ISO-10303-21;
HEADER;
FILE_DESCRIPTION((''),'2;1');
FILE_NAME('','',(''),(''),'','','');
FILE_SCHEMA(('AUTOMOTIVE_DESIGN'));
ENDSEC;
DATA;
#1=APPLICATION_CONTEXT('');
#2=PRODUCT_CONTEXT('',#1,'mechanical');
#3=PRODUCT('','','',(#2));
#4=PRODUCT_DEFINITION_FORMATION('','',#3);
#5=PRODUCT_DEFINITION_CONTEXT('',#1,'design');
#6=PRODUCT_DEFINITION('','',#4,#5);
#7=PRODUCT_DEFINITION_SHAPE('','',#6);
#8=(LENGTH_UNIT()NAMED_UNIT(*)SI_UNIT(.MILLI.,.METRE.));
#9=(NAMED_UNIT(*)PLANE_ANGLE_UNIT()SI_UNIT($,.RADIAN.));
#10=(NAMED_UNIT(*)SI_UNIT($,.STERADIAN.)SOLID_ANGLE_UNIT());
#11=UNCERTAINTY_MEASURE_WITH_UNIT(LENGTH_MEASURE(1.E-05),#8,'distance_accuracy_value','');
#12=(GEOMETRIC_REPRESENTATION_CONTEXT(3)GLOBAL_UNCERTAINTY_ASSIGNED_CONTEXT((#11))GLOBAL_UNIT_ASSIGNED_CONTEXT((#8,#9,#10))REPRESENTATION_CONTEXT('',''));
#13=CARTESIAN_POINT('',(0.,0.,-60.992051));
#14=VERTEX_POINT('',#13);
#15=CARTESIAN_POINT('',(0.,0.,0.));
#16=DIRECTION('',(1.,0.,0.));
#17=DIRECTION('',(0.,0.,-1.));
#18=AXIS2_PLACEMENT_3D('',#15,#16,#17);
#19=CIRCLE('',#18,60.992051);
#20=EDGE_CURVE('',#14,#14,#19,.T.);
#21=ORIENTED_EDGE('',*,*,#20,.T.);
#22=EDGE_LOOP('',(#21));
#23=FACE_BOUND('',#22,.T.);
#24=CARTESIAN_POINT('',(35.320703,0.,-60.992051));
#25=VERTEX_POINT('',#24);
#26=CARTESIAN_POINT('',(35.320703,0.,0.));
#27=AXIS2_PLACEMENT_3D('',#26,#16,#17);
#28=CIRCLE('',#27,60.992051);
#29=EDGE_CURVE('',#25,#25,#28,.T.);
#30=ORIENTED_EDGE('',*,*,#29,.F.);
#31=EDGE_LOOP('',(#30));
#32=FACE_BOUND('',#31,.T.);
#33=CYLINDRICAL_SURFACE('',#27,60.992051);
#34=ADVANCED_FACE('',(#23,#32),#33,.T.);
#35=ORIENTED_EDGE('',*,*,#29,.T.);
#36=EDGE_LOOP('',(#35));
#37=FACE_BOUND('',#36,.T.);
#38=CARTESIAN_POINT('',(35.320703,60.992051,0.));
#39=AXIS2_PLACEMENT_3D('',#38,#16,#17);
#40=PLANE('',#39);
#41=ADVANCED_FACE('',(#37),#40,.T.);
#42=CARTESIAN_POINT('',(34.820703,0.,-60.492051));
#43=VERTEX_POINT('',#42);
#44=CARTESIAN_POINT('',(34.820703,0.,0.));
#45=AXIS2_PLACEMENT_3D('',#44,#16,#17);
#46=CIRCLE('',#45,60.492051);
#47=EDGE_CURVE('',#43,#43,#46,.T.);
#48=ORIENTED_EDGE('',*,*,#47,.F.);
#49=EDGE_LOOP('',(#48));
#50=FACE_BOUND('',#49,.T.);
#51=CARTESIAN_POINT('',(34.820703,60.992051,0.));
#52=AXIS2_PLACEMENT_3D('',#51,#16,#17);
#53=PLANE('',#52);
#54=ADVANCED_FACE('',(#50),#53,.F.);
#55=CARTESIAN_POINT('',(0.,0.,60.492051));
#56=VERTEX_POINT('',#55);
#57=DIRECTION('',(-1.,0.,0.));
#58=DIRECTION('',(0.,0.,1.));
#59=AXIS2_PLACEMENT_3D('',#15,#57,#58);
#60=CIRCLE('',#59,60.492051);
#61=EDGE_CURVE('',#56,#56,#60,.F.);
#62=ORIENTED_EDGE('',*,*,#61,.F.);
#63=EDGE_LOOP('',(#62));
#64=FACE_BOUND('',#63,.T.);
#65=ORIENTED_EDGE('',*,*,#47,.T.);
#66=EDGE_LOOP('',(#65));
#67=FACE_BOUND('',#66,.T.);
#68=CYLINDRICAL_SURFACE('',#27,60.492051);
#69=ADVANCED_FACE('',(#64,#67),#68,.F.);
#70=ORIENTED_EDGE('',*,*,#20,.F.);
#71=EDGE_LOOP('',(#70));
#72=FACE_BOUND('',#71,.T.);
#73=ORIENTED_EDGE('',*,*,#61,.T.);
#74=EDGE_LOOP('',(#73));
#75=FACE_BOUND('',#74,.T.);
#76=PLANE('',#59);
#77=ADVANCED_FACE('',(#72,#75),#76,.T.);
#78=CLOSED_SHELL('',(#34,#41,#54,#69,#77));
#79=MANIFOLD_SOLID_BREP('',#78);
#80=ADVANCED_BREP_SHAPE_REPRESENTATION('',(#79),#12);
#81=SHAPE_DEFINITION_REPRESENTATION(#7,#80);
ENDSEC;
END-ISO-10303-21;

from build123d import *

# Parameters (mm, degrees)
CROQUIS2_W = 35.320702992
CROQUIS2_H = 60.992050732
VACIADO1_T = -0.5


with BuildPart() as part:
    # Croquis2 → Revolución1 (revolve)
    with BuildSketch(Plane.XY):
        with Locations((17.660351496, 30.496025366)):
            Rectangle(CROQUIS2_W, CROQUIS2_H)
    revolve(axis=Axis((35.320702992, 0, 0), (-1, 0, 0)))

    # Vaciado1
    vaciado1_openings = [part.faces().sort_by_distance(p)[0] for p in [
        (0, 0, -60.992050732),
    ]]
    offset(amount=VACIADO1_T, openings=vaciado1_openings, kind=Kind.INTERSECTION)


solid = part.part
